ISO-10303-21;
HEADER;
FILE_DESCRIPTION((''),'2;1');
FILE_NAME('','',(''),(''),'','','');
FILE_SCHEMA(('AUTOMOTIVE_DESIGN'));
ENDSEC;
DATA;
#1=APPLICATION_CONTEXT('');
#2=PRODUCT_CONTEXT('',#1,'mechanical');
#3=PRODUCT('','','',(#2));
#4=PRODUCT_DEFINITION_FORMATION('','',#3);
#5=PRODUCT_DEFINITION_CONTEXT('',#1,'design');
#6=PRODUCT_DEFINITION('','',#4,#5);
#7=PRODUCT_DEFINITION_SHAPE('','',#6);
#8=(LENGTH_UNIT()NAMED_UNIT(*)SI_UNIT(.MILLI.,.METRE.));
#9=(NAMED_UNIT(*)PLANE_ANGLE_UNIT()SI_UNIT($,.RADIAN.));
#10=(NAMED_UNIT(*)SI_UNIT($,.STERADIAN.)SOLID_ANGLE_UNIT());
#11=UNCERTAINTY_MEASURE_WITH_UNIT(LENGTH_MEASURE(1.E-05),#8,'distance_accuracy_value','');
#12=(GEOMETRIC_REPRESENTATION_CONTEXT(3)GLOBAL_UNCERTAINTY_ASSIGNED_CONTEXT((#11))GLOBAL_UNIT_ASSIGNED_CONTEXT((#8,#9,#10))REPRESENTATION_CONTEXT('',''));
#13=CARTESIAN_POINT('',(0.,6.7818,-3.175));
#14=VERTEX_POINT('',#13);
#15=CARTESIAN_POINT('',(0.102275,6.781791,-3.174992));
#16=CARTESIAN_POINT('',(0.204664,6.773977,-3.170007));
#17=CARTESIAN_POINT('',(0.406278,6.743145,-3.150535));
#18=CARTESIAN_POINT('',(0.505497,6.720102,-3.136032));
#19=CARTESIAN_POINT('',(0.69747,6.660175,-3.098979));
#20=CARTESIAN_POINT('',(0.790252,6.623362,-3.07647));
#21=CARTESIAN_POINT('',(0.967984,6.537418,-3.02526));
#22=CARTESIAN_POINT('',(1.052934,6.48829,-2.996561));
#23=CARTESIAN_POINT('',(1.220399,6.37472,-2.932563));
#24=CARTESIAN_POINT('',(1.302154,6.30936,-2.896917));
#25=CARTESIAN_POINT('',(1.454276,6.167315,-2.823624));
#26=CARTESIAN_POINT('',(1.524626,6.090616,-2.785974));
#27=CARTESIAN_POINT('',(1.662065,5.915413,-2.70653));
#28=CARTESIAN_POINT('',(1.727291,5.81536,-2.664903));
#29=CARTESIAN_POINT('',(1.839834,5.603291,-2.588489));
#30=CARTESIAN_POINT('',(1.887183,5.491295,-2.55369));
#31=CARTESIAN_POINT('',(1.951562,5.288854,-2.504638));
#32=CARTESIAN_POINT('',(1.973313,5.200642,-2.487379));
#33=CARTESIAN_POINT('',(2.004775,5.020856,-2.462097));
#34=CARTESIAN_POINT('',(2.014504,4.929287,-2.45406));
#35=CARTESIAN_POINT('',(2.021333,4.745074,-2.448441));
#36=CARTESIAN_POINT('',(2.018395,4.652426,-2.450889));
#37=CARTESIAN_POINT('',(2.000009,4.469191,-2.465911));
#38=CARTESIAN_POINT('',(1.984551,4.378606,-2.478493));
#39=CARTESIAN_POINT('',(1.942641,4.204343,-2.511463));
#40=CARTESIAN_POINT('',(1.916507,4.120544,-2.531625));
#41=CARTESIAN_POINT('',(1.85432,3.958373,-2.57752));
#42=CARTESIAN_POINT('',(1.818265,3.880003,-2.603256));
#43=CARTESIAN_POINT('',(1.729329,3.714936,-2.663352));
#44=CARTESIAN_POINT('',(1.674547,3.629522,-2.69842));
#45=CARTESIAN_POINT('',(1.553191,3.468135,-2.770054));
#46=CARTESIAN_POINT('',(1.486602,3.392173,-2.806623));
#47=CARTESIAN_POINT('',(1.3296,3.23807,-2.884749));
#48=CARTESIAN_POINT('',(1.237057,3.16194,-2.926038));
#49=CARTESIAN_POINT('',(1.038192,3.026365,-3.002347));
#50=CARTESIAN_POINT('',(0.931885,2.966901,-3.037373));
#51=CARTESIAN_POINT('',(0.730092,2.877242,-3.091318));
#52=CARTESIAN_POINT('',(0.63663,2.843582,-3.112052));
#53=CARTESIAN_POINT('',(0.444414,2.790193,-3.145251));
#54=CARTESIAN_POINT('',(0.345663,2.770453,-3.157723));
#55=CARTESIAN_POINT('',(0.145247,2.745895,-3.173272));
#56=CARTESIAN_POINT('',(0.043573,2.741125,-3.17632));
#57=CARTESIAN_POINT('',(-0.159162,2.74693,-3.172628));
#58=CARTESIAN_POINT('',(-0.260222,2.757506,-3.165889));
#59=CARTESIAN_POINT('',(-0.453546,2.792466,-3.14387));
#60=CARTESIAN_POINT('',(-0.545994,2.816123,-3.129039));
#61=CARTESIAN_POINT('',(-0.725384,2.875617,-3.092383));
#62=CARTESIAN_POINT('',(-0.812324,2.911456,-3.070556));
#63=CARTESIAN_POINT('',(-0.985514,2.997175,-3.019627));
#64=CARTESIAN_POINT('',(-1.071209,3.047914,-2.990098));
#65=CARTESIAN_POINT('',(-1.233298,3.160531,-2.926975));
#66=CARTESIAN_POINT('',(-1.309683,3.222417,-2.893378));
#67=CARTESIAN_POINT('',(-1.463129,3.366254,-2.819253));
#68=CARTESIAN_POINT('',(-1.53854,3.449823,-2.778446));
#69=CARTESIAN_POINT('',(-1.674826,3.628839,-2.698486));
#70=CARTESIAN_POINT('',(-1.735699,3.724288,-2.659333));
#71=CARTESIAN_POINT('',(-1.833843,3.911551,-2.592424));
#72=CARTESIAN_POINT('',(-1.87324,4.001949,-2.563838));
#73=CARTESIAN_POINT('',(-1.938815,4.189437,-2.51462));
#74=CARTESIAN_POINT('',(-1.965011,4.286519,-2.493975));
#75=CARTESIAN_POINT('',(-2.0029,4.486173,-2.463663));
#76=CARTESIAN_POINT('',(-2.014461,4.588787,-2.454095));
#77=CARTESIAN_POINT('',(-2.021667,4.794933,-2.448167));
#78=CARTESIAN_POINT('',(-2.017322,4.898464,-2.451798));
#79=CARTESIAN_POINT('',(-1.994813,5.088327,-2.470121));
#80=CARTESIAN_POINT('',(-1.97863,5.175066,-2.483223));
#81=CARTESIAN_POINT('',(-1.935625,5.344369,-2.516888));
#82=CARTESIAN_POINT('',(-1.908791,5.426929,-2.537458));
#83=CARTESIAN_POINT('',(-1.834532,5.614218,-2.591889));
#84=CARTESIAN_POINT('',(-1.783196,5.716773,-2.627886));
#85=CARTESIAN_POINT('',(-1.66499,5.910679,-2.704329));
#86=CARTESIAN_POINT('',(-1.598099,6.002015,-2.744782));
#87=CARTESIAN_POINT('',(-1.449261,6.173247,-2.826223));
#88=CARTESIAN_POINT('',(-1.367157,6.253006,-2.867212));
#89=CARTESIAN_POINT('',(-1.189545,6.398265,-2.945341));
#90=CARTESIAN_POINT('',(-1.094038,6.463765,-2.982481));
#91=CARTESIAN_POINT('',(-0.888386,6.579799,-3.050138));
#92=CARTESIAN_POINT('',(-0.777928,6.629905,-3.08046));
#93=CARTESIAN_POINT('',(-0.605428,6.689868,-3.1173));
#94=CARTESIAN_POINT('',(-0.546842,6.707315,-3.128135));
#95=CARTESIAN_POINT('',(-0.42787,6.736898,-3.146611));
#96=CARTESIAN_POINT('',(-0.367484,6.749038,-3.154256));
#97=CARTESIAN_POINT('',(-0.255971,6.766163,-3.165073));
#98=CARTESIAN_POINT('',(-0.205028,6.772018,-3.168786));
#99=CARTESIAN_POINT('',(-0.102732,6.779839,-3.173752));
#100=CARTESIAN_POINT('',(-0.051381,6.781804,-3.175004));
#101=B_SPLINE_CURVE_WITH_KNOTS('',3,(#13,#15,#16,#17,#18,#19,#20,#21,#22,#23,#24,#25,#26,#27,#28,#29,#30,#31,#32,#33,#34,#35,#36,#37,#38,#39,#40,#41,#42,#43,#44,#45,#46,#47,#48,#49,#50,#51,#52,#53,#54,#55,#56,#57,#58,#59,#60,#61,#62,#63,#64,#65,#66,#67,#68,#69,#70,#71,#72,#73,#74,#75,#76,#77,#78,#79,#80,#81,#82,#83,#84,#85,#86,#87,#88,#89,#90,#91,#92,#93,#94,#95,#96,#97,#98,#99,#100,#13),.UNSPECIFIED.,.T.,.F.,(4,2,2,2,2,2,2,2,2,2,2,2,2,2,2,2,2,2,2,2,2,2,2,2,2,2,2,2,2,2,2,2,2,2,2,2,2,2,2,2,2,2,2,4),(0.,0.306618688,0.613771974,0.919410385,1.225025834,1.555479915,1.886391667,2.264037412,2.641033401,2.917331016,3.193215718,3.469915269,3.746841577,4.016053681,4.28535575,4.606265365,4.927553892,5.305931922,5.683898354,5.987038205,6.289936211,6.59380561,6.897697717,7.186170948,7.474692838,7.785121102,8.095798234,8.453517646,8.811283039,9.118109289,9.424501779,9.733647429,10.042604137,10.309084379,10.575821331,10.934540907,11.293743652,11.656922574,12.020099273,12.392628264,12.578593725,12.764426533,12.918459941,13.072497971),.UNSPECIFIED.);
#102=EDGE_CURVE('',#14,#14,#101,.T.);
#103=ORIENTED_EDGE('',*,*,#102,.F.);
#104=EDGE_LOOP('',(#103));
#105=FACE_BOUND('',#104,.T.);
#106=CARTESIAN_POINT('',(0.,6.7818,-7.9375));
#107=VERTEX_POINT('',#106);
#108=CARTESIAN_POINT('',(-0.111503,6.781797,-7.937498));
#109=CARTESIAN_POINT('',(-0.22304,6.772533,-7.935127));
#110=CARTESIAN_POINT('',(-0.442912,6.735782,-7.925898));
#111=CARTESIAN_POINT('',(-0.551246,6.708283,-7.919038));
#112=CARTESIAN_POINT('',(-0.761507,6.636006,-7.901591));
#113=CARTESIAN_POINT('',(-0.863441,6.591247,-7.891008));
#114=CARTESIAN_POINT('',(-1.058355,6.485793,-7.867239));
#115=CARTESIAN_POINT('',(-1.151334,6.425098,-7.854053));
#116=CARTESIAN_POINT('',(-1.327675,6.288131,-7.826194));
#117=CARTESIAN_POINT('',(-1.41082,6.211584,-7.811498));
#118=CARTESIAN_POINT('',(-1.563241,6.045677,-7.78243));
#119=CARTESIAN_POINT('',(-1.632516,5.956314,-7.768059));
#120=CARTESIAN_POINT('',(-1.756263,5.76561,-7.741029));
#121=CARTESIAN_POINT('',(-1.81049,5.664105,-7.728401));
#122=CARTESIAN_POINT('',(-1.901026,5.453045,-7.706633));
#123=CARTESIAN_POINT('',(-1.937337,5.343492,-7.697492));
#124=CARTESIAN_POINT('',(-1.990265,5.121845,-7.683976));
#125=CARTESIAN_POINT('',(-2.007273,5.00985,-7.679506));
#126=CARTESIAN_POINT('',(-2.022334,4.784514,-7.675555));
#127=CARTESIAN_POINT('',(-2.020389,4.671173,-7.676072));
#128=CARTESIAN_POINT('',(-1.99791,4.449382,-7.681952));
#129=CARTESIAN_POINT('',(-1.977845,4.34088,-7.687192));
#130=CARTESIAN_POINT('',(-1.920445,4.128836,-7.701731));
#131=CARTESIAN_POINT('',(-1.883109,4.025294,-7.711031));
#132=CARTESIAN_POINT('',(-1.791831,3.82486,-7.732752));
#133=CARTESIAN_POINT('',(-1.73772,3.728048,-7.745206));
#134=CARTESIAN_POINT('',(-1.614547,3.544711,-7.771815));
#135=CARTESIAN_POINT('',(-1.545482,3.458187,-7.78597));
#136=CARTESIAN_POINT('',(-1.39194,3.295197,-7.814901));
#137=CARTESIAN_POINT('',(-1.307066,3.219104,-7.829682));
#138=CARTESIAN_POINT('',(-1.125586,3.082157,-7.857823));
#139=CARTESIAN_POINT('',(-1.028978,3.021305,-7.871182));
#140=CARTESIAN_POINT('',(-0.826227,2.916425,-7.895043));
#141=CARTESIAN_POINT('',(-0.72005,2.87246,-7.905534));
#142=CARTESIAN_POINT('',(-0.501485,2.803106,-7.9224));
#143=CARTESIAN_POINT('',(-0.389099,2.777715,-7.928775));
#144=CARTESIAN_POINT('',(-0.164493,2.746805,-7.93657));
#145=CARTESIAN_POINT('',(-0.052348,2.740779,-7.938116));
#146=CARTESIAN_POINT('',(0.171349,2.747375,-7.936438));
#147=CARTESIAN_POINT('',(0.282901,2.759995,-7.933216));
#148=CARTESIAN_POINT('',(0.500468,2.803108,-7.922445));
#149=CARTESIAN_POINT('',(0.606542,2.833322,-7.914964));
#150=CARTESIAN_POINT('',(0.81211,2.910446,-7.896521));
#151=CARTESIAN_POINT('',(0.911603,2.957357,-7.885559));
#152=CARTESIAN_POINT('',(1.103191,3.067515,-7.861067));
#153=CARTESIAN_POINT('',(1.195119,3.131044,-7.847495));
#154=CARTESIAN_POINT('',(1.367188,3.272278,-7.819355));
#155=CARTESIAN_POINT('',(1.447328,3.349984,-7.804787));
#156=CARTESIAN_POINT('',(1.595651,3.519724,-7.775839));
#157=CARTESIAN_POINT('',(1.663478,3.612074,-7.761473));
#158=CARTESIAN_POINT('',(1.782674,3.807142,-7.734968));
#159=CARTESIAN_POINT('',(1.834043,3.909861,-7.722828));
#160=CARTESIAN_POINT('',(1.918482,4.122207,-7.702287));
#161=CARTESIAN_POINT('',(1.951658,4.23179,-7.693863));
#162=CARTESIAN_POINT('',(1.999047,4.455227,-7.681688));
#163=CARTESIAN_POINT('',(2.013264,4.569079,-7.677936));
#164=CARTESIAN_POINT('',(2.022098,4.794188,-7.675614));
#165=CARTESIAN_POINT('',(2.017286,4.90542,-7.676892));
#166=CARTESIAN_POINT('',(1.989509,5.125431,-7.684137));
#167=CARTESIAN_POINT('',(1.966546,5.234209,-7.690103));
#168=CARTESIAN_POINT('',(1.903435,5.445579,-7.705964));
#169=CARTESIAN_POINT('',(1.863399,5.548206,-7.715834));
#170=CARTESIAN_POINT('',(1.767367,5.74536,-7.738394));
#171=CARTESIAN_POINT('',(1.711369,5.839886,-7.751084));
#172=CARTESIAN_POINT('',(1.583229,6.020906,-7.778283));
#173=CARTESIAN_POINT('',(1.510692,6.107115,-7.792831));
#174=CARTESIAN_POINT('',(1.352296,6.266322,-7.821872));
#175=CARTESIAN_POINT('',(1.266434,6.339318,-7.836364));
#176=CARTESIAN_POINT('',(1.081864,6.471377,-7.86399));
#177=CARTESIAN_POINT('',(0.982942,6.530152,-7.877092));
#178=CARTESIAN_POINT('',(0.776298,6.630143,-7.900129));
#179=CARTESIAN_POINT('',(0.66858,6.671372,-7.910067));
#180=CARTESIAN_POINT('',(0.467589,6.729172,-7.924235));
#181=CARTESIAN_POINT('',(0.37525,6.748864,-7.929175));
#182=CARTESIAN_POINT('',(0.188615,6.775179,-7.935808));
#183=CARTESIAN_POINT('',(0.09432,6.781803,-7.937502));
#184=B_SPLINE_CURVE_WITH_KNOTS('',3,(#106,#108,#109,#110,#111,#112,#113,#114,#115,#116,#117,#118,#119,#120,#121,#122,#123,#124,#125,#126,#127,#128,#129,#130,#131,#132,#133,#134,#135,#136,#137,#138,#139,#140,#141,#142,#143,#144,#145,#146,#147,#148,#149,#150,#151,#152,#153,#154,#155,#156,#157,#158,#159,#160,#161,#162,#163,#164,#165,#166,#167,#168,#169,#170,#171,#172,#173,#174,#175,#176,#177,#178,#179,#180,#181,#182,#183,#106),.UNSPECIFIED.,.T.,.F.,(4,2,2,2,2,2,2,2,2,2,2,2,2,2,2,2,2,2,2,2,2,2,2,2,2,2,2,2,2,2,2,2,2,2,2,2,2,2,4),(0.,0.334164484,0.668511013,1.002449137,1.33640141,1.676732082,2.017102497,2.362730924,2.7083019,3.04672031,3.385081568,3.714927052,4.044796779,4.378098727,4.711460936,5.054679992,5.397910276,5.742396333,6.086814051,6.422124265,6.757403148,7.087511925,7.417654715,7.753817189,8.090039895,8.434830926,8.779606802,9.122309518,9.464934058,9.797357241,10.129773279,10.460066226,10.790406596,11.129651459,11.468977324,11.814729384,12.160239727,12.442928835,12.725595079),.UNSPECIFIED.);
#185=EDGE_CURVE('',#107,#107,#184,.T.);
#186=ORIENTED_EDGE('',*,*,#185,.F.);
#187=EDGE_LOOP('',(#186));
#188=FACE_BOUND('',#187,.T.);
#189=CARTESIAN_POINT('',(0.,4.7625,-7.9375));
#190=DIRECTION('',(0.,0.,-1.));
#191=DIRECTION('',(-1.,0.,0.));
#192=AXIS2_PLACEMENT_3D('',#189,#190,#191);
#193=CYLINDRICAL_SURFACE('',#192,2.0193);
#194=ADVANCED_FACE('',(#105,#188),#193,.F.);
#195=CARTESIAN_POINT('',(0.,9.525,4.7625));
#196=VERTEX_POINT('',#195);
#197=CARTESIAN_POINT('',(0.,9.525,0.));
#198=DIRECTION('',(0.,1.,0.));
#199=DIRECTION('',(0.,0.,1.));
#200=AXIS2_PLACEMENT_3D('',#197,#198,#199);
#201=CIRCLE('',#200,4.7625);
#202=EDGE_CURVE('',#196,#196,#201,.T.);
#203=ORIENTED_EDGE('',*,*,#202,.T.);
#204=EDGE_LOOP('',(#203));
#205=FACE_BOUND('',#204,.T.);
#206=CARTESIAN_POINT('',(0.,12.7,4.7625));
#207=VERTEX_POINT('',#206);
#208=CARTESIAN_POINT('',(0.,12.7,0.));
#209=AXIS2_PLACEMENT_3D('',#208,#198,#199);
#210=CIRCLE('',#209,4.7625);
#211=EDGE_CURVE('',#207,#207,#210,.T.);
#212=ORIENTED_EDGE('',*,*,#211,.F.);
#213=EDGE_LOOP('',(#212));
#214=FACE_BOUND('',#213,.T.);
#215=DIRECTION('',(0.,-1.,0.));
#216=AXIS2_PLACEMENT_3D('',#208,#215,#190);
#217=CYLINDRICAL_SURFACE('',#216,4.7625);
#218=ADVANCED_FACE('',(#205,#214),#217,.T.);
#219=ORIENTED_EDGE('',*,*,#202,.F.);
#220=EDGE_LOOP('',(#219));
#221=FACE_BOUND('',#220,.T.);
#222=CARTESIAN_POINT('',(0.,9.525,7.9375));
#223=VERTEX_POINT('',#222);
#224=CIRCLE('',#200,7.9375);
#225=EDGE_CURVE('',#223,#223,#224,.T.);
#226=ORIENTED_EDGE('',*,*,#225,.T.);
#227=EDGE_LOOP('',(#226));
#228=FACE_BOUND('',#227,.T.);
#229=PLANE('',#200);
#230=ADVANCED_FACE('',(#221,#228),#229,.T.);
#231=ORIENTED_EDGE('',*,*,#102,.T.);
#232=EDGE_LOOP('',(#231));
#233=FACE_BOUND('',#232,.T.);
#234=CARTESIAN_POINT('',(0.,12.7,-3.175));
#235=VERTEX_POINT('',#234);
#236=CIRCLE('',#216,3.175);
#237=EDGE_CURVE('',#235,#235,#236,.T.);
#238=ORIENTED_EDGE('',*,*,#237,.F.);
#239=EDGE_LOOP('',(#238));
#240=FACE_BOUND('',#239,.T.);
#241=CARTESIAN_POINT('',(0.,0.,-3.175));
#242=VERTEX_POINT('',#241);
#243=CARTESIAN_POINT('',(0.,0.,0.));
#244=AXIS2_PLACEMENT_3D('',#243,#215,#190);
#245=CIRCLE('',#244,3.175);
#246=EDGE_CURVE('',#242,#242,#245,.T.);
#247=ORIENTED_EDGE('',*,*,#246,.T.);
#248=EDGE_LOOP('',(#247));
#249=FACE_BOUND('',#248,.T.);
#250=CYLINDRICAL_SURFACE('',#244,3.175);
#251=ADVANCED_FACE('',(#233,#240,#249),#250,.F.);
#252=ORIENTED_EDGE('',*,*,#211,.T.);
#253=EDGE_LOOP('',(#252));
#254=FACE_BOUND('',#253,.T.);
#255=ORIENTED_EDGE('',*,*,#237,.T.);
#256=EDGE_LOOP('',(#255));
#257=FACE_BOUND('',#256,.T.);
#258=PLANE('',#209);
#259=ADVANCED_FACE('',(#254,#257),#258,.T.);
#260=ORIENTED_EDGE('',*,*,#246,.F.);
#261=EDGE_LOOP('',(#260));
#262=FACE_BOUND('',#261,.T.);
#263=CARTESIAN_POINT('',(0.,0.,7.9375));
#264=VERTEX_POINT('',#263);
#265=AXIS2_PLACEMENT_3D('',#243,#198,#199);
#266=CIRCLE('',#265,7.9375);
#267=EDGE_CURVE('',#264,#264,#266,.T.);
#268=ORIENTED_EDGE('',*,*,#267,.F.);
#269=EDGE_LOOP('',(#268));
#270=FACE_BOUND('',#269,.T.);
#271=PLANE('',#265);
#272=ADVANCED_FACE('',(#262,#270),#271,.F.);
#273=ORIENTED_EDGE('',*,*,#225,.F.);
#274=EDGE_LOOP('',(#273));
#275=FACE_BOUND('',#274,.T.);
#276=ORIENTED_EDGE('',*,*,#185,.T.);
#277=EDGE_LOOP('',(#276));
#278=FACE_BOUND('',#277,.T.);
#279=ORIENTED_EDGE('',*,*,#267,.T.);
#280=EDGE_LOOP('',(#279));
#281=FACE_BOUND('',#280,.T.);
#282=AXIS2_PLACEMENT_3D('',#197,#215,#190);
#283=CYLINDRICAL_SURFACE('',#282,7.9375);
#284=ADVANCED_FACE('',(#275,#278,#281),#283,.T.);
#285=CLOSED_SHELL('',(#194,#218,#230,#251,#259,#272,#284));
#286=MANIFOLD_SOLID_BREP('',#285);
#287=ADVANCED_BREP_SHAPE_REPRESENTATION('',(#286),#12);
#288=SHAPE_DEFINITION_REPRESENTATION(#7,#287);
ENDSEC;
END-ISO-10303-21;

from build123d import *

# Parameters (mm, degrees)
SKETCH1_R                   = 7.9375
BOSS_EXTRUDE1_DEPTH         = 9.525
SKETCH2_R                   = 4.7625
BOSS_EXTRUDE2_DEPTH         = 3.175
F_1_4_0_25_DIAMETER_HOLE1_D = 6.35
F_10_32_TAPPED_HOLE1_REACH  = 23.825
F_10_32_TAPPED_HOLE1_BORE_R = 2.0193


with BuildPart() as part:
    # Sketch1 → Boss-Extrude1 (new body)
    with BuildSketch(Plane(origin=(0, 0, 0), x_dir=(1, 0, 0), z_dir=(0, 1, 0))):
        with Locations(Location((0, 0, 0), (0, 0, 90))):
            Circle(SKETCH1_R)
    extrude(amount=BOSS_EXTRUDE1_DEPTH)

    # Sketch2 → Boss-Extrude2 (add)
    with BuildSketch(Plane(origin=(0, 9.525, 0), x_dir=(1, 0, 0), z_dir=(0, 1, 0))):
        with Locations(Location((0, 0, 0), (0, 0, 270))):
            Circle(SKETCH2_R)
    extrude(amount=BOSS_EXTRUDE2_DEPTH)

    # 1/4 (0.25) Diameter Hole1 (through all)
    with Locations(Plane(origin=(0, 0, 0), x_dir=(-1, 0, 0), z_dir=(0, -1, 0))):
        with Locations((0, 0)):
            Hole(F_1_4_0_25_DIAMETER_HOLE1_D / 2)

    # #10-32 Tapped Hole1 bore → #10-32 Tapped Hole1 (cut, up to next)
    with BuildSketch(Plane(origin=(0, 0, -7.9375), x_dir=(-1, 0, 0), z_dir=(0, 0, -1)), mode=Mode.PRIVATE) as f_10_32_tapped_hole1_sk1:
        with Locations((0, 4.7625)):
            Circle(F_10_32_TAPPED_HOLE1_BORE_R)
    f_10_32_tapped_hole1_tool1 = extrude(f_10_32_tapped_hole1_sk1.sketch, amount=-F_10_32_TAPPED_HOLE1_REACH, mode=Mode.PRIVATE) & part.part
    add(f_10_32_tapped_hole1_tool1.solids().sort_by_distance((0, 4.7625, -7.9375))[0], mode=Mode.SUBTRACT)


solid = part.part
